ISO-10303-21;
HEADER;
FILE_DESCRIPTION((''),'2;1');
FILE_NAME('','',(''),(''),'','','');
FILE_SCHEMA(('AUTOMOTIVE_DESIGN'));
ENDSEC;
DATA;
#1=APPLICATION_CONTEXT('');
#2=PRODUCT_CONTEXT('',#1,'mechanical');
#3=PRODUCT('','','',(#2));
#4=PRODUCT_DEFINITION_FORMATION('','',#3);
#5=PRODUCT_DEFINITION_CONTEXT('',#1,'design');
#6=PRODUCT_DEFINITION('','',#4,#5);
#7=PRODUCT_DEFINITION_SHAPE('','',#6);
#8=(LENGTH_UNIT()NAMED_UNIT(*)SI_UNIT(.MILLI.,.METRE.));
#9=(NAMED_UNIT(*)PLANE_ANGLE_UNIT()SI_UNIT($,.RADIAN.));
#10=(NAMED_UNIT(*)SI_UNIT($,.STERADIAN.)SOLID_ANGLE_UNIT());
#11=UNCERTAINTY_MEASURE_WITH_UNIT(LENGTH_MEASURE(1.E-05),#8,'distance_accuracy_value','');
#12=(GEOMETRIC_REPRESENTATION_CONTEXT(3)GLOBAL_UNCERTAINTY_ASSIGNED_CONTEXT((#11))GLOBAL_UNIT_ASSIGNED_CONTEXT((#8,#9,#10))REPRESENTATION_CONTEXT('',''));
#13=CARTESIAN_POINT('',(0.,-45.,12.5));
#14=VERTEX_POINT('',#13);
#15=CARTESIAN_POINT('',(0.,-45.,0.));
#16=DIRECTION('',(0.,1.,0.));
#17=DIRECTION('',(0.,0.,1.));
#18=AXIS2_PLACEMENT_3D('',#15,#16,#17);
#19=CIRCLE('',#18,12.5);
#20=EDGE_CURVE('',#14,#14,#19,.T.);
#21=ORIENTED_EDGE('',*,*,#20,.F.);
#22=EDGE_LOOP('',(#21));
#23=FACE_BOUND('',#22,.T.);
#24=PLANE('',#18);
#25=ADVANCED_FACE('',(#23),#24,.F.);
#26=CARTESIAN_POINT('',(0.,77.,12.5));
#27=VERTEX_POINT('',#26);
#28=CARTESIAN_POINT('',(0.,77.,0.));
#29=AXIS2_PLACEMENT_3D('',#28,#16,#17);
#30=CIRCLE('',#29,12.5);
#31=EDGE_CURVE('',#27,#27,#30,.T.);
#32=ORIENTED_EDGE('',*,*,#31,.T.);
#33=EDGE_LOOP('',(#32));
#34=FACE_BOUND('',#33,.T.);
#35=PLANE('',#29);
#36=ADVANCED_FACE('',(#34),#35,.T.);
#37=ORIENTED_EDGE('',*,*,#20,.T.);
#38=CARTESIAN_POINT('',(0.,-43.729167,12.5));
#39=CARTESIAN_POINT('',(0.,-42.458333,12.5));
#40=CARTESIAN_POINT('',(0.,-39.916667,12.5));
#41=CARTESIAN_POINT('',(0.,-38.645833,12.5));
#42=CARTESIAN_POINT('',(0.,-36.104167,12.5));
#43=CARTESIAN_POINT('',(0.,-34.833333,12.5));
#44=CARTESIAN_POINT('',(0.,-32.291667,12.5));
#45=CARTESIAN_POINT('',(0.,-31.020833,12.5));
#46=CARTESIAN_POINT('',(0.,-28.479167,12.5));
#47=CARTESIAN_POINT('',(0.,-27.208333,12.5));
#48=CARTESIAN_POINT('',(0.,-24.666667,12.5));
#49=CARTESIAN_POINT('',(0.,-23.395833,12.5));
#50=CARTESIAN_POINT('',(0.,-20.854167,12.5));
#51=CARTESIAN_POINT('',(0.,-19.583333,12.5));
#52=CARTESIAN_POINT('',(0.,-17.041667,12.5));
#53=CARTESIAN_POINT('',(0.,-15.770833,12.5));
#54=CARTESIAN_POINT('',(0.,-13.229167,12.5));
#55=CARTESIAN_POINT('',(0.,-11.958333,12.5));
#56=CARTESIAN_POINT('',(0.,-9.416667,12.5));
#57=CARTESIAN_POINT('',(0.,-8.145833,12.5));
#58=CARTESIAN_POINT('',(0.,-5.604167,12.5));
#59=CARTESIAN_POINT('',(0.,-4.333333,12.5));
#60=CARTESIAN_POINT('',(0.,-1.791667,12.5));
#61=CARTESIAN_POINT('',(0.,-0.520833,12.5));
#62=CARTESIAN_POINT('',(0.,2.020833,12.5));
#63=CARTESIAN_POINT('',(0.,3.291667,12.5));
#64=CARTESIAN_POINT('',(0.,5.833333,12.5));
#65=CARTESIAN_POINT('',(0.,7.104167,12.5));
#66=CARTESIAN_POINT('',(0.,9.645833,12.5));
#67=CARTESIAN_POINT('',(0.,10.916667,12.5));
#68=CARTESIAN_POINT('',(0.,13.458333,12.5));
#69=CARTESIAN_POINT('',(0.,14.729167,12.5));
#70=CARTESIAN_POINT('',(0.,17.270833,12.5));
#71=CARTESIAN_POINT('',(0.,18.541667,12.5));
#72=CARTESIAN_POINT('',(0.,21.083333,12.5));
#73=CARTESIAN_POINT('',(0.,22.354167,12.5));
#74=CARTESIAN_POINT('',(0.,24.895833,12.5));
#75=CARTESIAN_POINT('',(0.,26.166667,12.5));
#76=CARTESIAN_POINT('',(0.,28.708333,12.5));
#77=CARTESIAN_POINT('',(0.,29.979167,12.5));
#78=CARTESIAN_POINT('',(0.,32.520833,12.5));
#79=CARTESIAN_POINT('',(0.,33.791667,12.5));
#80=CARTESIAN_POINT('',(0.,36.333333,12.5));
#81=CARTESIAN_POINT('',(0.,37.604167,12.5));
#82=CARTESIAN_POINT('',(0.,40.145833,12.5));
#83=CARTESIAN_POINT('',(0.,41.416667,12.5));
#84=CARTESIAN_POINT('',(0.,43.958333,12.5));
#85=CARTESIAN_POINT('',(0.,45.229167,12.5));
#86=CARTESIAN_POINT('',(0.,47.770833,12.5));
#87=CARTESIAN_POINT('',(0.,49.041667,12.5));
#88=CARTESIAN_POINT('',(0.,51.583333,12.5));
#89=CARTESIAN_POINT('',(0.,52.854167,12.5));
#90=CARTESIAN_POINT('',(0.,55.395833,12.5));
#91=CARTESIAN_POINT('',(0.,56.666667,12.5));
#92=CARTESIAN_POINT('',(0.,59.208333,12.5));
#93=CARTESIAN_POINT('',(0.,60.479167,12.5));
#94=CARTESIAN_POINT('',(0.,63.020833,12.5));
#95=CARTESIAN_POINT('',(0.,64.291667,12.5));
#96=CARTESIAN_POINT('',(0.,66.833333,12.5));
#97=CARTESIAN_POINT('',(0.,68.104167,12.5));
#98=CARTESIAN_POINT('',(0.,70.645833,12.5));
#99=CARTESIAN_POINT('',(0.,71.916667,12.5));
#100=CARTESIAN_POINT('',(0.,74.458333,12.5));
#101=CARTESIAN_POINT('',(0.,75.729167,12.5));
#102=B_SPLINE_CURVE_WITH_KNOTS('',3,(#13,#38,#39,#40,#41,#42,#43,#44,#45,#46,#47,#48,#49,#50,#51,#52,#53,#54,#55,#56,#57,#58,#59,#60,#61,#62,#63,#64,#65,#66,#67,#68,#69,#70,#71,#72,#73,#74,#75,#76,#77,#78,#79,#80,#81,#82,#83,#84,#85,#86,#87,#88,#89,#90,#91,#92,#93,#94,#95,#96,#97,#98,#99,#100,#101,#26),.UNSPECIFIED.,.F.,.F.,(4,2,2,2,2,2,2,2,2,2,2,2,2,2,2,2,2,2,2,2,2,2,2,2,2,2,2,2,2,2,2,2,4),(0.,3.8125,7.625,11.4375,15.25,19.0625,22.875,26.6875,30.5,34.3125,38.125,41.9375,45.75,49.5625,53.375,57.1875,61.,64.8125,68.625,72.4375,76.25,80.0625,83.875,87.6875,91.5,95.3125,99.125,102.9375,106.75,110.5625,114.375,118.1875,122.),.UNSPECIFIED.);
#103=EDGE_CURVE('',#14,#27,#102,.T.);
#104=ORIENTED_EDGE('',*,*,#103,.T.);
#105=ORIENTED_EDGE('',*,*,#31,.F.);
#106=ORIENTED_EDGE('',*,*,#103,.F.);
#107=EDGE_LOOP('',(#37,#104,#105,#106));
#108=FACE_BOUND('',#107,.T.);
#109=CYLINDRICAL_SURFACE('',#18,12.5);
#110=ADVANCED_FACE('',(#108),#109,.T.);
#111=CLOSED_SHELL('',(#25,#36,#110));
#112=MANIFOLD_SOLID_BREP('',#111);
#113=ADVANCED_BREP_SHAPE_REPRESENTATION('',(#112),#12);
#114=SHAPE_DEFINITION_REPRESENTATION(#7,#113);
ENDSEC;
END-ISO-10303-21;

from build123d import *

# Parameters (mm, degrees)
BOSS_EXTRUDE1_DEPTH      = 77
BOSS_EXTRUDE1_DEPTH_BACK = 45
SKETCH1_R                = 12.5


with BuildPart() as part:
    # Sketch1 → Boss-Extrude1 (new, two sides: drawn at the far end of the back side and taken through both)
    with BuildSketch(Plane(origin=(0, 0, 0), x_dir=(1, 0, 0), z_dir=(0, 1, 0)).offset(-BOSS_EXTRUDE1_DEPTH_BACK)):
        with Locations(Location((0, 0, 0), (0, 0, 270))):
            Circle(SKETCH1_R)
    extrude(amount=BOSS_EXTRUDE1_DEPTH + BOSS_EXTRUDE1_DEPTH_BACK)


solid = part.part
